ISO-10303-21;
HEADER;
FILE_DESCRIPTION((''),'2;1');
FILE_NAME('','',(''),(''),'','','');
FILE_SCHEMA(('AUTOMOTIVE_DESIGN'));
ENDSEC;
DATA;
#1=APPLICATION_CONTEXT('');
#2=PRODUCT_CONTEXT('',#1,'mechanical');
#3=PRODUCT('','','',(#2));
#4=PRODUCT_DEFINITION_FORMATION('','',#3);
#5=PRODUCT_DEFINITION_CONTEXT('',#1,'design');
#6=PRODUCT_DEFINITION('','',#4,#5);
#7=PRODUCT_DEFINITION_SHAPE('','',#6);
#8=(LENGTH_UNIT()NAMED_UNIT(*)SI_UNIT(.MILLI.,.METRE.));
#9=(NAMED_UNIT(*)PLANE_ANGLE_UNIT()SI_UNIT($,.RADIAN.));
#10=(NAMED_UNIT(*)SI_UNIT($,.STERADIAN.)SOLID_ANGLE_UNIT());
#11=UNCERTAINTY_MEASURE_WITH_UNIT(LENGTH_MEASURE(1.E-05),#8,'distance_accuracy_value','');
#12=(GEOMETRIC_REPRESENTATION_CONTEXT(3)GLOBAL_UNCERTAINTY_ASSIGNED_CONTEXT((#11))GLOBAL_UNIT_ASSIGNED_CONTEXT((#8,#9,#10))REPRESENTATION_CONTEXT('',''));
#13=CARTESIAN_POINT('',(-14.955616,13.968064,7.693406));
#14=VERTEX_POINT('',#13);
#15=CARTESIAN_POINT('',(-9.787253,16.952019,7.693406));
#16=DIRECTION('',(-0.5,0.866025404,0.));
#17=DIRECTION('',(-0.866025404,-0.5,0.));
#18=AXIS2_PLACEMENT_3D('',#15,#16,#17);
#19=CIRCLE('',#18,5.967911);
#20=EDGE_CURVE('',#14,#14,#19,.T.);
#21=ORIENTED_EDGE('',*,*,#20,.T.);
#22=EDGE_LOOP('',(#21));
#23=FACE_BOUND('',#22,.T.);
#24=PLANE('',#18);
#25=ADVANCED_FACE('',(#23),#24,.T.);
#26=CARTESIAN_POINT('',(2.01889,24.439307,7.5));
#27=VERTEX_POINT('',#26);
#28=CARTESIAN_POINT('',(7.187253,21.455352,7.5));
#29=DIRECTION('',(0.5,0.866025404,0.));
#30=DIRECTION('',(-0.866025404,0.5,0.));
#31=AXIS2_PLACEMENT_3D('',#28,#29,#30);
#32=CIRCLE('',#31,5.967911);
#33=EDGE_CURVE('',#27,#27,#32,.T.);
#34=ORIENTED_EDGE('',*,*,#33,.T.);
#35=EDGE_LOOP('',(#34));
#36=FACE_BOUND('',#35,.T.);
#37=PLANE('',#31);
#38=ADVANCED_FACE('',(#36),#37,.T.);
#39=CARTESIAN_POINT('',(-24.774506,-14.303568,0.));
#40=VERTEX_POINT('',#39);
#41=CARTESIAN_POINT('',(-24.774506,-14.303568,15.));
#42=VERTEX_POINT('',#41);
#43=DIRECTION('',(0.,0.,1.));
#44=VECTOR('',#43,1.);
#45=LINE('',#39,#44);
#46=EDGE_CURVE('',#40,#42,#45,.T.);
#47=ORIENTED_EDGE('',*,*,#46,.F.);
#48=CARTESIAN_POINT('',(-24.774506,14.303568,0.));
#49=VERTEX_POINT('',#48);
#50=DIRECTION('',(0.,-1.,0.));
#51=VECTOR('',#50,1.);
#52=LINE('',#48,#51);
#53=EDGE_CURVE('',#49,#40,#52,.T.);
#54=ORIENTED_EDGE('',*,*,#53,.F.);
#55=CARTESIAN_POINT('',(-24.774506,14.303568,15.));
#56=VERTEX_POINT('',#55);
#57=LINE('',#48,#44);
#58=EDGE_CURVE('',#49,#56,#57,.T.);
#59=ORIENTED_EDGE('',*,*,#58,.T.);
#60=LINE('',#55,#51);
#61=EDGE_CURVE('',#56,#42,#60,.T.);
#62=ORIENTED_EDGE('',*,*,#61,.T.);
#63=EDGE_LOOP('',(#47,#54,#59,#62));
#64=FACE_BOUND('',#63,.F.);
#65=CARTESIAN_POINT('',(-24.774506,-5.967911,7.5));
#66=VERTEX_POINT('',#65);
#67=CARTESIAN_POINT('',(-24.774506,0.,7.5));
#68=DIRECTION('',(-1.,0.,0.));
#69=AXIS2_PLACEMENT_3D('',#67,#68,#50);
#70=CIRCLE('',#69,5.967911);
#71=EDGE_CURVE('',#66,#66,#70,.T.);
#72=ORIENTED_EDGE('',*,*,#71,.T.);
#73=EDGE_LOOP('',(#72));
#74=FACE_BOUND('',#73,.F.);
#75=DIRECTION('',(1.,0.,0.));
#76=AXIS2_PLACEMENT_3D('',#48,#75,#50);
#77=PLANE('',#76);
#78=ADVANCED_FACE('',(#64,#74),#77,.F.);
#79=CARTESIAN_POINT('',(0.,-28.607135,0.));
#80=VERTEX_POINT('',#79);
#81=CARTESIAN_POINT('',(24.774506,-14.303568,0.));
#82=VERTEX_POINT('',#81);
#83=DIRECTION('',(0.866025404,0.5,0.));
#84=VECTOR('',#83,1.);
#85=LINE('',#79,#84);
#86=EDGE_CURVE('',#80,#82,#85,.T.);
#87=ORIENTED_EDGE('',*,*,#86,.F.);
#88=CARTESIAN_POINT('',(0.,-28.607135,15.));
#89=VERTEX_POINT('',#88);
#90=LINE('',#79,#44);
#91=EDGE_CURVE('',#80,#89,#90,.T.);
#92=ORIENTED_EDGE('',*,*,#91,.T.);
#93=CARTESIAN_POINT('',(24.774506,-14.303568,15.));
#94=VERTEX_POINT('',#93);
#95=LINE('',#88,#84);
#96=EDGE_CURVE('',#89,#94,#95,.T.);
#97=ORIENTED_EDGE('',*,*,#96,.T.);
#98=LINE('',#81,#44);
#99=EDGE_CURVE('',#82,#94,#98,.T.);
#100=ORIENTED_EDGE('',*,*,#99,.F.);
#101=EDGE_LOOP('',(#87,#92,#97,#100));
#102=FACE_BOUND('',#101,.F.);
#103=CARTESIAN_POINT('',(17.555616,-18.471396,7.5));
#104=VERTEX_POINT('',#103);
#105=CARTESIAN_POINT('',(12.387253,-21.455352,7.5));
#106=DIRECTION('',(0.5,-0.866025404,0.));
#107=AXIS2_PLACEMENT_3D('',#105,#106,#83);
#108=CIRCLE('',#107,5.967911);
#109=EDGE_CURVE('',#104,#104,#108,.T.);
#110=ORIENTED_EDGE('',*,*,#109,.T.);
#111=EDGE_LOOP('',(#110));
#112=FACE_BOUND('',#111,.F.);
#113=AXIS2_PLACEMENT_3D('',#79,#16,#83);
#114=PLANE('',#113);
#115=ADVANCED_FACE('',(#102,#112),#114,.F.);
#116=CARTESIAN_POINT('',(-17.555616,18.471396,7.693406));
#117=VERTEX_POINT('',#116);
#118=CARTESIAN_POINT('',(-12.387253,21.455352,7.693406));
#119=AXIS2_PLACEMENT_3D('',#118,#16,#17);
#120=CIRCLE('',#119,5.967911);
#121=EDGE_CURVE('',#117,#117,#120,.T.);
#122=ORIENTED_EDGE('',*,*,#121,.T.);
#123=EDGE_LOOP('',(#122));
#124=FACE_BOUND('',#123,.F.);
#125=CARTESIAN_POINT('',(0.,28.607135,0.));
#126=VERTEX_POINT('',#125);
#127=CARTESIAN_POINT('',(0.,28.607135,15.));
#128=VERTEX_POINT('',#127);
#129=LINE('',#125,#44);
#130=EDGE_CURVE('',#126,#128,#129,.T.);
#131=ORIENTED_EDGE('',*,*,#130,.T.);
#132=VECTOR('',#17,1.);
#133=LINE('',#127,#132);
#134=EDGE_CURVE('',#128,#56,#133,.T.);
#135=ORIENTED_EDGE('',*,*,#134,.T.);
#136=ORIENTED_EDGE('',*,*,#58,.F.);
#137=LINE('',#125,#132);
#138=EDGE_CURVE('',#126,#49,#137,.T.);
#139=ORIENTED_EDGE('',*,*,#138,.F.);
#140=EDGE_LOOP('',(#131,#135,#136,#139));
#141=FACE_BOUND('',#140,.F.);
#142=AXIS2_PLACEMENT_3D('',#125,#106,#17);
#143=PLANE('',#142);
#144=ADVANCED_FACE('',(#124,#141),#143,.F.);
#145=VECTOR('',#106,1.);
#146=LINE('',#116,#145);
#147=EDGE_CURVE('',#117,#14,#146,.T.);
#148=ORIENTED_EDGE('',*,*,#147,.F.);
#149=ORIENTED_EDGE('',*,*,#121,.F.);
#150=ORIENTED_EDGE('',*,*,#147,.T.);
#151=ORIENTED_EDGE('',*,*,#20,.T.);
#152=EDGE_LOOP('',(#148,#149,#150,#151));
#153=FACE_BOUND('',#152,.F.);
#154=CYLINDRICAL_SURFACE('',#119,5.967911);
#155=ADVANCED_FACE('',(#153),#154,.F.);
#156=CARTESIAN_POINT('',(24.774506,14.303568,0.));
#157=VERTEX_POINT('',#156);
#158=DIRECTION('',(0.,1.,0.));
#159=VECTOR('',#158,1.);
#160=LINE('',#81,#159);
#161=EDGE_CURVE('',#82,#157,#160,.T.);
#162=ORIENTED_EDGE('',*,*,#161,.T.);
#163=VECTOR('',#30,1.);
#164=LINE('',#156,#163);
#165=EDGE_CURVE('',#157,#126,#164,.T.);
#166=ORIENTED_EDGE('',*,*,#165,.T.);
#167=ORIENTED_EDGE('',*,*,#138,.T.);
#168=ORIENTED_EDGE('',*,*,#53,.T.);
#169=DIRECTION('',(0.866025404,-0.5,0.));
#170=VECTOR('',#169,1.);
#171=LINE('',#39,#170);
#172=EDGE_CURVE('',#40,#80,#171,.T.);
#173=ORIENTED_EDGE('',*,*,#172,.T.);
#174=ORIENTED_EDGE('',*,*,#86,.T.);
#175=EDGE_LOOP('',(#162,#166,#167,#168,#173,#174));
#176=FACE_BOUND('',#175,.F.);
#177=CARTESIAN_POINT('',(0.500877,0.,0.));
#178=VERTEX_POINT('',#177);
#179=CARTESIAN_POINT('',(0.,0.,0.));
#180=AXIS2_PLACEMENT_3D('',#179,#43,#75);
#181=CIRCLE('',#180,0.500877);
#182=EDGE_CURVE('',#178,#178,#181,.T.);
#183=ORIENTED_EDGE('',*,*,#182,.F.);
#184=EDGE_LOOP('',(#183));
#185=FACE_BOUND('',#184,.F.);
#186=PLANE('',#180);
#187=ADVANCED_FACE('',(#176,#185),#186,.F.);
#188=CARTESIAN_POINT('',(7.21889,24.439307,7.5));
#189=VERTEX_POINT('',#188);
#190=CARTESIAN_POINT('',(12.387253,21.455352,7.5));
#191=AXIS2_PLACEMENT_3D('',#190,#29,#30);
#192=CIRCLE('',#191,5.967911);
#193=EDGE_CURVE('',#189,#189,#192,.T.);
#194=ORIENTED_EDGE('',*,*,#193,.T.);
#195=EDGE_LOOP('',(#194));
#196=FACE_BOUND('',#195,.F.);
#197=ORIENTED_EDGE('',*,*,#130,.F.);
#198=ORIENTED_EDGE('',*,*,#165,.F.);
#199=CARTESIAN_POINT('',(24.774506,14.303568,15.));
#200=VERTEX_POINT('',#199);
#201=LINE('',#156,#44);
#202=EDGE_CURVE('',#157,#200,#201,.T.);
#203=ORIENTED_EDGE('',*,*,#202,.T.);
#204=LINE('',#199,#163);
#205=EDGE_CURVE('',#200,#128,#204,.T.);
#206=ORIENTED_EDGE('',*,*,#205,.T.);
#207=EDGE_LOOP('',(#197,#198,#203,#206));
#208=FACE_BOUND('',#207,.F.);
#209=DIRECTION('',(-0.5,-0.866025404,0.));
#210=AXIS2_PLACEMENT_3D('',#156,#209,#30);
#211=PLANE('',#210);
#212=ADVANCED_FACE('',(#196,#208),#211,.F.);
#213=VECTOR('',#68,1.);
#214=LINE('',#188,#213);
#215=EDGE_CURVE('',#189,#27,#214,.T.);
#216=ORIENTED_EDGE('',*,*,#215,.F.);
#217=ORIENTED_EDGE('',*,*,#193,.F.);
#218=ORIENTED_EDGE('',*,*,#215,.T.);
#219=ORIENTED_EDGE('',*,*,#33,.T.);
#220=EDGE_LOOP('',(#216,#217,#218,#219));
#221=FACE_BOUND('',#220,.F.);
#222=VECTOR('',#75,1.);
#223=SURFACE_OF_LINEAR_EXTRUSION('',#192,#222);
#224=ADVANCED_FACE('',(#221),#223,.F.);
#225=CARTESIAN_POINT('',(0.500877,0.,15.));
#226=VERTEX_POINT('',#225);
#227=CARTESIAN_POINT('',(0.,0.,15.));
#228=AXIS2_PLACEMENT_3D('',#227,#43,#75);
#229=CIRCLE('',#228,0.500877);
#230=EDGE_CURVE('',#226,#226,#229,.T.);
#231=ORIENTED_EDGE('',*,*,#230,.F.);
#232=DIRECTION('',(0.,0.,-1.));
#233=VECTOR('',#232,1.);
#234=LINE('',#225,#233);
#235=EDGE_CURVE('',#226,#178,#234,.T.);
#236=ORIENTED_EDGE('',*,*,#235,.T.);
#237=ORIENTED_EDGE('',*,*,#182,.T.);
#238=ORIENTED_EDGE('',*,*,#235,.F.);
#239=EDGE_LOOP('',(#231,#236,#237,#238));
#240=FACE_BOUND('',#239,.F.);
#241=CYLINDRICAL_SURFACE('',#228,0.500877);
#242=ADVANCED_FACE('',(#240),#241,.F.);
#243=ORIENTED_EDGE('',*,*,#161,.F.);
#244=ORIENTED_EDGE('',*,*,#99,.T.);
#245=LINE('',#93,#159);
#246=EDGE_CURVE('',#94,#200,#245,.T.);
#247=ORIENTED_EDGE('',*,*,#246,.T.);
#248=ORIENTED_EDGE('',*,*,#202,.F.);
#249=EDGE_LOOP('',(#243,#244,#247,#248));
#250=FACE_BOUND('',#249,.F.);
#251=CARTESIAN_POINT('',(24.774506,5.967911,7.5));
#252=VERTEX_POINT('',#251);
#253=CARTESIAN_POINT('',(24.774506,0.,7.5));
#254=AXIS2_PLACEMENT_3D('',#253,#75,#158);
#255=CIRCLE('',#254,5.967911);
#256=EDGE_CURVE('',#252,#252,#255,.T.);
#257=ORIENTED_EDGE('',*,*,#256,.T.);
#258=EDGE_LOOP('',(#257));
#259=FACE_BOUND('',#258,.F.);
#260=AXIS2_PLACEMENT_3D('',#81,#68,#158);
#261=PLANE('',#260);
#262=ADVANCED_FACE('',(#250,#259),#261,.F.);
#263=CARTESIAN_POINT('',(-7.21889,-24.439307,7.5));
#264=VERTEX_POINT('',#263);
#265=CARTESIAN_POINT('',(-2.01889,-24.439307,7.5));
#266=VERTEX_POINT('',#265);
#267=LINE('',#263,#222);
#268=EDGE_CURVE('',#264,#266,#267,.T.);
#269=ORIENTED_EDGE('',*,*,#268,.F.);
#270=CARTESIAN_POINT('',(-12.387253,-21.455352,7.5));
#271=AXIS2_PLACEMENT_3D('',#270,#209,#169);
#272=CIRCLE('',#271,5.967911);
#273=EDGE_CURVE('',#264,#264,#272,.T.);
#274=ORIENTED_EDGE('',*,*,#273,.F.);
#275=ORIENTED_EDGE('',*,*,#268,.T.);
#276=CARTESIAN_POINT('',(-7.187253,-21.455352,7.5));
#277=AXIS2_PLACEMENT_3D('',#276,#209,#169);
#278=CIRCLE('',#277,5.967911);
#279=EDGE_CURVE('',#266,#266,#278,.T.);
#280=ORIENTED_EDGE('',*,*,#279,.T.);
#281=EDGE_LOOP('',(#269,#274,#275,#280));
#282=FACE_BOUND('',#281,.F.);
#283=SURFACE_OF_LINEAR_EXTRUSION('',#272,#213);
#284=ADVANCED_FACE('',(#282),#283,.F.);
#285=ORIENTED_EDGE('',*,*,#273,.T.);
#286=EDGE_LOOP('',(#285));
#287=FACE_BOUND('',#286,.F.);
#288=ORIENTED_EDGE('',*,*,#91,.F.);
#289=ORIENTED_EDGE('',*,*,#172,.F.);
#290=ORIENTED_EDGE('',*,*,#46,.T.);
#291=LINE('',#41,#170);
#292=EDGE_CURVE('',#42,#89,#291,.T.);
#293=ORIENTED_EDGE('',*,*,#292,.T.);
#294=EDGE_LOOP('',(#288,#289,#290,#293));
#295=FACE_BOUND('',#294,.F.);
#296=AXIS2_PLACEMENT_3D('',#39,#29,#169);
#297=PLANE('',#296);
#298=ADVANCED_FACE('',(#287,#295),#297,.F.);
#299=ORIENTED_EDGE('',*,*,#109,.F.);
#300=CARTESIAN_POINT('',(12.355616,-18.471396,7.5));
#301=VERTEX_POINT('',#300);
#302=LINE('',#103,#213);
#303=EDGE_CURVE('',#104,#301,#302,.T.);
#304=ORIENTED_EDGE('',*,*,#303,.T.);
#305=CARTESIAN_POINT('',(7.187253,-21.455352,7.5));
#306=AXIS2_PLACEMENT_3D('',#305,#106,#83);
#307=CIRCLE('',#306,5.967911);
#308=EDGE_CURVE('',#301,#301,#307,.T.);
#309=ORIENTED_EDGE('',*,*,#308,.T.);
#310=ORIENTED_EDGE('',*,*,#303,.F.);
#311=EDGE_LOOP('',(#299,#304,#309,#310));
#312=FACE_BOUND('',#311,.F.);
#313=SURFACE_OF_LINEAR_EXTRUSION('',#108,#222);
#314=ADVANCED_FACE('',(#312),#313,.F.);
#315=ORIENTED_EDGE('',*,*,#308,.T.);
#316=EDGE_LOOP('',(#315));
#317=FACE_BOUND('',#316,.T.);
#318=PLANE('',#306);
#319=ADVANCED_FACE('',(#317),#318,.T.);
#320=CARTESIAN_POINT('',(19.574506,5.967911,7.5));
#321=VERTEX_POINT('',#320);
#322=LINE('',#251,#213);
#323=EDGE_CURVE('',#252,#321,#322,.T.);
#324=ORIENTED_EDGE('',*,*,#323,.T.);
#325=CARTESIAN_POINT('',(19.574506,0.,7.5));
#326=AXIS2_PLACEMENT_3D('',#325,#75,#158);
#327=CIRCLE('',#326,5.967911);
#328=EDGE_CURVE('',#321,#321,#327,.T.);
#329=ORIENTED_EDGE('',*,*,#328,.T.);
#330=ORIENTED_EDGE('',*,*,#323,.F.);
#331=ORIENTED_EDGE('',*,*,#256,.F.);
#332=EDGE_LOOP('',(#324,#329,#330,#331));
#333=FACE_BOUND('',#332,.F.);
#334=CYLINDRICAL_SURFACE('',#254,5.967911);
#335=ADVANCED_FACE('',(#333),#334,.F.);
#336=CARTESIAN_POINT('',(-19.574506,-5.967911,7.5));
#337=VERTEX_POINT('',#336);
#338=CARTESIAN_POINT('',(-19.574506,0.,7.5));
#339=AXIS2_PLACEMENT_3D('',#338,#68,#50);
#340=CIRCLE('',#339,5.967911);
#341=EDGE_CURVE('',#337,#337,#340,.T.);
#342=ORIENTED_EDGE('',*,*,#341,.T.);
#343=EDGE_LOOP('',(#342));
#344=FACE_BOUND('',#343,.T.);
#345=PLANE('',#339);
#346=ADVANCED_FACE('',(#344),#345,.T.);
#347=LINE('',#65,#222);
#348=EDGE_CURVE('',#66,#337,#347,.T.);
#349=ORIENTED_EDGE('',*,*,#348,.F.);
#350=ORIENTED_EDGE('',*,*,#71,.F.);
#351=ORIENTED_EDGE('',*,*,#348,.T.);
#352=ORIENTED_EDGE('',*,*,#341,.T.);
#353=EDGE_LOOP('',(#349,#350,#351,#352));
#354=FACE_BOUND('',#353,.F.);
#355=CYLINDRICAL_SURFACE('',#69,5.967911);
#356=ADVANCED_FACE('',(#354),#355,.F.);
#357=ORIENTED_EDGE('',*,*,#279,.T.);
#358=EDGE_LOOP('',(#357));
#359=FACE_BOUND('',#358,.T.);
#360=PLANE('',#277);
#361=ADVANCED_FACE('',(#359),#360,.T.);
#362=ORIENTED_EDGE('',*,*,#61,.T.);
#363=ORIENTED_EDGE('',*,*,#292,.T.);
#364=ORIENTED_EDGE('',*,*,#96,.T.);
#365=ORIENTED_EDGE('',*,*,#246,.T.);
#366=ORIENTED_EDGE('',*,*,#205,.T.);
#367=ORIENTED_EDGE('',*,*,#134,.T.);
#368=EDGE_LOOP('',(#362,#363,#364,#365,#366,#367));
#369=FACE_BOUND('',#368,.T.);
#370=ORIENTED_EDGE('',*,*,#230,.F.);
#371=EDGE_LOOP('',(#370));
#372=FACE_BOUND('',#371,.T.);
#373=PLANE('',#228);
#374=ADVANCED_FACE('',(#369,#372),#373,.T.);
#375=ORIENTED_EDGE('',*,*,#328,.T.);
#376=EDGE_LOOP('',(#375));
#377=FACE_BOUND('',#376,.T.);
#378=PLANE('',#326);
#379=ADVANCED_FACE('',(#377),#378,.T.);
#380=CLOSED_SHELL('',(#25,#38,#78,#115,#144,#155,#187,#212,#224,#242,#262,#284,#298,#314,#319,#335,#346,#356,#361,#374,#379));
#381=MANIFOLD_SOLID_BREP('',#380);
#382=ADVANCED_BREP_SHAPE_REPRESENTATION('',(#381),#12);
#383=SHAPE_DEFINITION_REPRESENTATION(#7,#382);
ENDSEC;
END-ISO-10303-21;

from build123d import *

# Parameters (mm, degrees)
F1_DEPTH  = 15
F2_R      = 5.9679112776
F3_DEPTH  = 5.2
F7_R      = 5.9679112776
F6_R      = 5.9679112776
F5_R      = 5.9679112776
F4_R      = 5.9679112776
F8_R      = 5.9679112776
F9_DEPTH  = 5.2
F10_R     = 5.9679112776
F11_R     = 5.9679112776
F12_DEPTH = 5.2
F13_R     = 0.5008771255
F14_DEPTH = 25


with BuildPart() as f1:
    # F0 (on Top) → F1 (new body)
    with BuildSketch(Plane.XY):
        Polygon((0, -28.6071354192), (24.7745060026, -14.3035677096), (24.7745060026, 14.3035677096), (0, 28.6071354192), (-24.7745060026, 14.3035677096), (-24.7745060026, -14.3035677096), align=None)
    extrude(amount=F1_DEPTH)

    # F2 (on face) → F3 (cut)
    with BuildSketch(Plane(origin=(-12.3872530013, 21.4553515644, 0), x_dir=(-0.8660254038, -0.5, 0), z_dir=(-0.5, 0.8660254038, 0))):
        with Locations((0, 7.6934061944)):
            Circle(F2_R)
    extrude(amount=-F3_DEPTH, mode=Mode.SUBTRACT)

    # F7 (on face) + F6 (on face) + F5 (on face) + F4 (on face) + F8 (on face) → F9 (cut)
    with BuildSketch(Plane.YZ.offset(24.7745060026)):
        with Locations((0, 7.5)):
            Circle(F7_R)
    with BuildSketch(Plane(origin=(12.3872530013, -21.4553515644, 0), x_dir=(0.8660254038, 0.5, 0), z_dir=(0.5, -0.8660254038, 0))):
        with Locations((0, 7.5)):
            Circle(F6_R)
    with BuildSketch(Plane(origin=(-12.3872530013, -21.4553515644, 0), x_dir=(0.8660254038, -0.5, 0), z_dir=(-0.5, -0.8660254038, 0))):
        with Locations((0, 7.5)):
            Circle(F5_R)
    with BuildSketch(Plane(origin=(-24.7745060026, 0, 0), x_dir=(0, -1, 0), z_dir=(-1, 0, 0))):
        with Locations((0, 7.5)):
            Circle(F4_R)
    with BuildSketch(Plane(origin=(12.3872530013, 21.4553515644, 0), x_dir=(-0.8660254038, 0.5, 0), z_dir=(0.5, 0.8660254038, 0))):
        with Locations((0, 7.5)):
            Circle(F8_R)
    extrude(amount=-F9_DEPTH, dir=(1, 0, 0), mode=Mode.SUBTRACT)

    # F10 (on face) + F11 (on face) → F12 (cut)
    with BuildSketch(Plane(origin=(-24.7745060026, 0, 0), x_dir=(0, -1, 0), z_dir=(-1, 0, 0))):
        with Locations((0, 7.5)):
            Circle(F10_R)
    with BuildSketch(Plane(origin=(-12.3872530013, -21.4553515644, 0), x_dir=(0.8660254038, -0.5, 0), z_dir=(-0.5, -0.8660254038, 0))):
        with Locations((0, 7.5)):
            Circle(F11_R)
    extrude(amount=-F12_DEPTH, dir=(-1, 0, 0), mode=Mode.SUBTRACT)

    # F13 (on face) → F14 (cut)
    with BuildSketch(Plane.XY.offset(15)):
        Circle(F13_R)
    extrude(amount=-F14_DEPTH, mode=Mode.SUBTRACT)


solid = f1.part
